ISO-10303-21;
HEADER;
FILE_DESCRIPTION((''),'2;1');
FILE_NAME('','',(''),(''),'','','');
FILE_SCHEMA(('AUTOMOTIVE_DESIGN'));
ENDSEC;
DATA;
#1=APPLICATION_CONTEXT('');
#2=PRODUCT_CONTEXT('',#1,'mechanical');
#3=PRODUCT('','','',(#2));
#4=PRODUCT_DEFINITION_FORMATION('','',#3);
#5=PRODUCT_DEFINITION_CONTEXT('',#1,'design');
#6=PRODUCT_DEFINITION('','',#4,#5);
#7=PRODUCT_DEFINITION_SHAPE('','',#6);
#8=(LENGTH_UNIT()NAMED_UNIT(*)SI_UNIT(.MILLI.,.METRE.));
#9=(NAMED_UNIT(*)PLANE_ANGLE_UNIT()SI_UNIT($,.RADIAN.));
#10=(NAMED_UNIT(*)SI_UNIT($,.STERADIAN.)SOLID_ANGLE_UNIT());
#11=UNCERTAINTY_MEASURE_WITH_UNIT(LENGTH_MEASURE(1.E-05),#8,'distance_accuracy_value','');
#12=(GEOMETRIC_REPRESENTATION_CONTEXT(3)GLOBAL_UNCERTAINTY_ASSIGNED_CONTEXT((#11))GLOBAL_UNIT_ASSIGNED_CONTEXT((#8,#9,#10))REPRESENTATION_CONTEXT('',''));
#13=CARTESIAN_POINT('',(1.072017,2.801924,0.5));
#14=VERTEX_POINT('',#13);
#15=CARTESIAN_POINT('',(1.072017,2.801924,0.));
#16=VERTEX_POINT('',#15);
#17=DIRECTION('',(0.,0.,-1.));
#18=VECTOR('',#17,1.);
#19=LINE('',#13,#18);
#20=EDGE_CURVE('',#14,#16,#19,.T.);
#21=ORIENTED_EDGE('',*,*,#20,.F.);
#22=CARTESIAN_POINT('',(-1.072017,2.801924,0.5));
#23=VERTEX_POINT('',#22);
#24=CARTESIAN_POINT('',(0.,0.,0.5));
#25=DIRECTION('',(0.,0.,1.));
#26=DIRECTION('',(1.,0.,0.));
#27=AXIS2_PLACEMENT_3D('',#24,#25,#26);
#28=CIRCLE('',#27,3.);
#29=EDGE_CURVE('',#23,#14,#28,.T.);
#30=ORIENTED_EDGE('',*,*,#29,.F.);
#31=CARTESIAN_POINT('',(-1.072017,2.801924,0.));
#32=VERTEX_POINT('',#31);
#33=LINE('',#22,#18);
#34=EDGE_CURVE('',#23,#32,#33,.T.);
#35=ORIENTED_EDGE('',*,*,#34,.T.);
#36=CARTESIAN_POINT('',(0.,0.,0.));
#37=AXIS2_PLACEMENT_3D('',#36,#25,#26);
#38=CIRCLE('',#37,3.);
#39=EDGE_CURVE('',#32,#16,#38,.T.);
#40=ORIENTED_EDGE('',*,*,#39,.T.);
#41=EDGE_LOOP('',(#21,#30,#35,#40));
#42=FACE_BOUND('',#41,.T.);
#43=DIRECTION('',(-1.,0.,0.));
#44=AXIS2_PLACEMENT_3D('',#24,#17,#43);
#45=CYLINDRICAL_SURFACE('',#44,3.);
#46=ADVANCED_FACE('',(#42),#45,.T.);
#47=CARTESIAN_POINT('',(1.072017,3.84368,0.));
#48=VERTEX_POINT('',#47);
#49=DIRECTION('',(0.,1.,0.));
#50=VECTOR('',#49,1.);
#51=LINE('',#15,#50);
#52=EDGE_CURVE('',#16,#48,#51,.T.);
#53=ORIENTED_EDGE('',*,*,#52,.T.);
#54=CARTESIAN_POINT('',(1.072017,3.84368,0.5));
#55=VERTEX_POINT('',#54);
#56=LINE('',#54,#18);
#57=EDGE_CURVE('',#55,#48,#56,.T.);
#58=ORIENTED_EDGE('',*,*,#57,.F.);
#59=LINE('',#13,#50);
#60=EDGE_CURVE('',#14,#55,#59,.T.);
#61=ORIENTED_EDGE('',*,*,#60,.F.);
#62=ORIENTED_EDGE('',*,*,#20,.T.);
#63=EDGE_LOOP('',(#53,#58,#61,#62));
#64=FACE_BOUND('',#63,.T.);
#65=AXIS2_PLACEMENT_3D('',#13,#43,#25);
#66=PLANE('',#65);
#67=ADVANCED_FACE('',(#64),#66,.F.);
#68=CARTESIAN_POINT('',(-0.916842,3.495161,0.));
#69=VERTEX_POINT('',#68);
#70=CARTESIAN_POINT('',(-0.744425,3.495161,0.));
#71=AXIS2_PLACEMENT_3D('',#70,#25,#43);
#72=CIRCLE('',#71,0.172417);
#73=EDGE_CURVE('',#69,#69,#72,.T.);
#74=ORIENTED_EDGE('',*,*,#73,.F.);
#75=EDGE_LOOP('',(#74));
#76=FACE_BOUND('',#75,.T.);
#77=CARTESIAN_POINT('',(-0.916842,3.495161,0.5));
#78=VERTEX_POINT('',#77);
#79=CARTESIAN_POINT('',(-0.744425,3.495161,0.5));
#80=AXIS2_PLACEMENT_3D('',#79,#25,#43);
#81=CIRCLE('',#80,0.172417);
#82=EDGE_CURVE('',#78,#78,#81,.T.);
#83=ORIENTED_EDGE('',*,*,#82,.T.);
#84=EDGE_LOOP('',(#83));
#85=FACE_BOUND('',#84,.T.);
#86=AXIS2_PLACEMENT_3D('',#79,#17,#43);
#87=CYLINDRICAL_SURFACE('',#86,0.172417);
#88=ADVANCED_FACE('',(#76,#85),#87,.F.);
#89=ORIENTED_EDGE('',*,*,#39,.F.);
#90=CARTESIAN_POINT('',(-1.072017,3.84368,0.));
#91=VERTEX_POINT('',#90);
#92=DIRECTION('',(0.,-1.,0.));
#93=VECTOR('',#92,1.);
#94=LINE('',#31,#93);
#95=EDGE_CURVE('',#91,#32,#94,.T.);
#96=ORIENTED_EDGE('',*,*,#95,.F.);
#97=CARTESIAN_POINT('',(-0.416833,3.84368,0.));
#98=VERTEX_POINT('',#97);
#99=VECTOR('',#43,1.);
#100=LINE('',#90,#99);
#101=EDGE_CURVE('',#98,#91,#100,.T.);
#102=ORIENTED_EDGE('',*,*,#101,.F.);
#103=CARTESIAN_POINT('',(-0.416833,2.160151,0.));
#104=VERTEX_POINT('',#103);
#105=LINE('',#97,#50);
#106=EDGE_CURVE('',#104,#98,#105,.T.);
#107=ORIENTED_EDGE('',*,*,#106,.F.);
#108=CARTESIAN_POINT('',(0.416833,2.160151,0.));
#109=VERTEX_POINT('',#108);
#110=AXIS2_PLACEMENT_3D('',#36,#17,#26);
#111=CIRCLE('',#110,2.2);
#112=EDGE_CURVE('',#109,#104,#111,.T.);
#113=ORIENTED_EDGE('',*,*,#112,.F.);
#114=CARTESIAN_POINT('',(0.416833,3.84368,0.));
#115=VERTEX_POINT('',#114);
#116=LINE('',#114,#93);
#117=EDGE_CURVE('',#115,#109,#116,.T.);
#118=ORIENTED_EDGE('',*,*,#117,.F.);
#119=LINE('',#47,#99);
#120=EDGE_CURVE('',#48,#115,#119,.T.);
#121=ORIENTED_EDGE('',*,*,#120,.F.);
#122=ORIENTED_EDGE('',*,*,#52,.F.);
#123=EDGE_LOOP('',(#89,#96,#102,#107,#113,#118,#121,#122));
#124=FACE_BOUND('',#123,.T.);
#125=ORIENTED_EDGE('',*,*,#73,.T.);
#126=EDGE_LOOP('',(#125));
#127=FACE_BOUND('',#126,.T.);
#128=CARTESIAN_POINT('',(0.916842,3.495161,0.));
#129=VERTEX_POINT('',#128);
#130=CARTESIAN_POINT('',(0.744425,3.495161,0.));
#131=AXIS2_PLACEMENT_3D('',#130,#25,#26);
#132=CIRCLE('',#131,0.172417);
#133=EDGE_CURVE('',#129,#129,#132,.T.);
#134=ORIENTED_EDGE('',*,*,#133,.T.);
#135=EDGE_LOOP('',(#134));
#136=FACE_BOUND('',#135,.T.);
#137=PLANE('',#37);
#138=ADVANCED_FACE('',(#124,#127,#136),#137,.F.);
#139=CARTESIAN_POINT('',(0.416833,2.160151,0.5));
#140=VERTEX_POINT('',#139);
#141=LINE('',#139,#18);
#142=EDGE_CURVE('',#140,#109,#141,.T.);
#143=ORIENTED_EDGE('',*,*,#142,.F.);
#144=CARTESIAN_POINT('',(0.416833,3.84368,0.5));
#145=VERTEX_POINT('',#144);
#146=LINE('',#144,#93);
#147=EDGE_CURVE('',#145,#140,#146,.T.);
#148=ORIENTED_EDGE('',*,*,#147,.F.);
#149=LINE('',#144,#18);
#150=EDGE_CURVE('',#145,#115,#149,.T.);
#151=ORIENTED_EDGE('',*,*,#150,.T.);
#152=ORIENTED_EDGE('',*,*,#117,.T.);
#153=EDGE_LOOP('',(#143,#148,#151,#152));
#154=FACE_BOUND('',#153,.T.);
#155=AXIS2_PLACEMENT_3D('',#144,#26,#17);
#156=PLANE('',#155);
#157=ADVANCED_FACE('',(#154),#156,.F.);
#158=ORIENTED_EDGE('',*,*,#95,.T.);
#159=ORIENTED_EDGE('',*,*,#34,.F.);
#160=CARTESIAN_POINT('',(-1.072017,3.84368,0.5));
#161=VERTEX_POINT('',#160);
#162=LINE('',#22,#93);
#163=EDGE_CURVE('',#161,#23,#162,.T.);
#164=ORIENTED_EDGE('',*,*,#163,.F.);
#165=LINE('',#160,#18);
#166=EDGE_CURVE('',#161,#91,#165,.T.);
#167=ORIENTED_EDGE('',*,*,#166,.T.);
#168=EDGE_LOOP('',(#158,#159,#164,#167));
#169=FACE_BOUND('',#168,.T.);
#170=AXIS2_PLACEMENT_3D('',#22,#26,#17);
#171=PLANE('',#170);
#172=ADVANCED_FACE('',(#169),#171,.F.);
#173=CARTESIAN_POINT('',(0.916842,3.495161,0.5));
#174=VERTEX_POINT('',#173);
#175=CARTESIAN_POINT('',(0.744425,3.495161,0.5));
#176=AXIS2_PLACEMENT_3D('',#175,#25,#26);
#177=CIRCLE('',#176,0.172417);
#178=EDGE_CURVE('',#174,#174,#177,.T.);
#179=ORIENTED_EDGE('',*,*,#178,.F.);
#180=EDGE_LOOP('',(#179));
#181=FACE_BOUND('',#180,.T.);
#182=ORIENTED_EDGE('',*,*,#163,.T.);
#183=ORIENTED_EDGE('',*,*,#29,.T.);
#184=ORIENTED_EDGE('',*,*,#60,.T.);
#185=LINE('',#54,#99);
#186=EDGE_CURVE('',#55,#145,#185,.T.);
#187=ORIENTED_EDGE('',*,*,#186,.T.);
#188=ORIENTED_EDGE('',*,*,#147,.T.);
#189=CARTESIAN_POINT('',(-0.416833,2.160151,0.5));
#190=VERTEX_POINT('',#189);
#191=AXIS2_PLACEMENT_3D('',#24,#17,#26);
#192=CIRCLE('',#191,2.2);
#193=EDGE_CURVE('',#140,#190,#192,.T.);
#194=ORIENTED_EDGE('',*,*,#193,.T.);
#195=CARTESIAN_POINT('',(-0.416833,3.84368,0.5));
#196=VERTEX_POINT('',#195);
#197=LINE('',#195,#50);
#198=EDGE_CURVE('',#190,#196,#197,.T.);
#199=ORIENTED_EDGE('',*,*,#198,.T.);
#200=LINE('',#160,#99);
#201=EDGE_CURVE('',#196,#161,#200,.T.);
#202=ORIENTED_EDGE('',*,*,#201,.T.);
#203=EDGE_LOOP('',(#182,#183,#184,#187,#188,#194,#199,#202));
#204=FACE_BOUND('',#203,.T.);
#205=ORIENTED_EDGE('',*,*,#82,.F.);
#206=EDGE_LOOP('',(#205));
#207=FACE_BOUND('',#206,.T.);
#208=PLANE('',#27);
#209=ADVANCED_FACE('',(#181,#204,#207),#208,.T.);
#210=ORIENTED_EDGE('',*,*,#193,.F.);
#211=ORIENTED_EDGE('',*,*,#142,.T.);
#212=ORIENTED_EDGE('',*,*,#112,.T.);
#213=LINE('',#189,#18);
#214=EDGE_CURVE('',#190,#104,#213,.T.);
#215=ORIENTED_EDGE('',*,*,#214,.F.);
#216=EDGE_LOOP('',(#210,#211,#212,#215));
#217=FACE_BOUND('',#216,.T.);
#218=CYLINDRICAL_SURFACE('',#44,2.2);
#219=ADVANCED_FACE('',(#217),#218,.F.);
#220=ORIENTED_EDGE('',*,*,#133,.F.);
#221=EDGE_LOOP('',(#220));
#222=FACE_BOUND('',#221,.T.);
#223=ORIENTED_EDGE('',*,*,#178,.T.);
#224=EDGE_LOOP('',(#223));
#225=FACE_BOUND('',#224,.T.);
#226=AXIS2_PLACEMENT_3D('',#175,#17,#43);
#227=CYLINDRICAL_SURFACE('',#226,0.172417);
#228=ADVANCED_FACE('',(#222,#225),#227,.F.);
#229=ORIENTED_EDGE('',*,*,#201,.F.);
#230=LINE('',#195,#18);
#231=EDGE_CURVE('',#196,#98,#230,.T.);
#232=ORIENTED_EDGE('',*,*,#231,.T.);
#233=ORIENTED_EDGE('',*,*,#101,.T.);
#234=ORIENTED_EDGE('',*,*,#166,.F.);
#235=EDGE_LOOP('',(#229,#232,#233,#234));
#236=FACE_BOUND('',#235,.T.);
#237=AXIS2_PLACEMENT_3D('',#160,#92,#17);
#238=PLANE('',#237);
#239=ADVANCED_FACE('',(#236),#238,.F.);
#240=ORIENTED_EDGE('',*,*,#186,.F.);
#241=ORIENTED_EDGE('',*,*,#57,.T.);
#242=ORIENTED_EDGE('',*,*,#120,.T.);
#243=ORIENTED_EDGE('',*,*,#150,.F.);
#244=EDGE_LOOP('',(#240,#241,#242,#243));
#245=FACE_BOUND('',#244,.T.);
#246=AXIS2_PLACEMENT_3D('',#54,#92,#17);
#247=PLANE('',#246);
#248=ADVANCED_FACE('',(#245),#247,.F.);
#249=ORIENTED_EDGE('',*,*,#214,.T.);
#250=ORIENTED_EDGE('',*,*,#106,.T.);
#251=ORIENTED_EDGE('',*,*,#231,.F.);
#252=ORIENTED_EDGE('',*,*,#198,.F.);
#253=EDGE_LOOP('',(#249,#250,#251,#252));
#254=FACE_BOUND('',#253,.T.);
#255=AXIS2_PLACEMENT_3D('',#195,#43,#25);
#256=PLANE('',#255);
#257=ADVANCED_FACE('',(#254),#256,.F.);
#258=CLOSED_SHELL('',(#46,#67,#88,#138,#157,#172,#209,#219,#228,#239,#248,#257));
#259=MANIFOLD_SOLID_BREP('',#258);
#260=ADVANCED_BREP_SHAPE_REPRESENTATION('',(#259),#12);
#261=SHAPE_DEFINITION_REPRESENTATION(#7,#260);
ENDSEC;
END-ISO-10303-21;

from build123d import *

# Parameters (mm, degrees)
SZKIC1_R                    = 0.172416741
DODANIE_WYCI_GNI_CIE1_DEPTH = 0.5


with BuildPart() as part:
    # Szkic1 → Dodanie-wyciągnięcie1 (new body)
    with BuildSketch(Plane.XY):
        with BuildLine():
            Line((1.072016687, 2.801924379), (1.072016687, 3.843679809))
            Line((1.072016687, 3.843679809), (0.416833072, 3.843679809))
            Line((0.416833072, 3.843679809), (0.416833072, 2.160150502))
            ThreePointArc((0.416833072, 2.160150502), (0, -2.2), (-0.416833072, 2.160150502))
            Line((-0.416833072, 2.160150502), (-0.416833072, 3.843679809))
            Line((-0.416833072, 3.843679809), (-1.072016687, 3.843679809))
            Line((-1.072016687, 3.843679809), (-1.072016687, 2.801924379))
            ThreePointArc((-1.072016687, 2.801924379), (0, -3), (1.072016687, 2.801924379))
        make_face()
        with Locations((0.74442488, 3.495160541)):
            Circle(SZKIC1_R, mode=Mode.SUBTRACT)
        with Locations((-0.74442488, 3.495160541)):
            Circle(SZKIC1_R, mode=Mode.SUBTRACT)
    extrude(amount=DODANIE_WYCI_GNI_CIE1_DEPTH)


solid = part.part
